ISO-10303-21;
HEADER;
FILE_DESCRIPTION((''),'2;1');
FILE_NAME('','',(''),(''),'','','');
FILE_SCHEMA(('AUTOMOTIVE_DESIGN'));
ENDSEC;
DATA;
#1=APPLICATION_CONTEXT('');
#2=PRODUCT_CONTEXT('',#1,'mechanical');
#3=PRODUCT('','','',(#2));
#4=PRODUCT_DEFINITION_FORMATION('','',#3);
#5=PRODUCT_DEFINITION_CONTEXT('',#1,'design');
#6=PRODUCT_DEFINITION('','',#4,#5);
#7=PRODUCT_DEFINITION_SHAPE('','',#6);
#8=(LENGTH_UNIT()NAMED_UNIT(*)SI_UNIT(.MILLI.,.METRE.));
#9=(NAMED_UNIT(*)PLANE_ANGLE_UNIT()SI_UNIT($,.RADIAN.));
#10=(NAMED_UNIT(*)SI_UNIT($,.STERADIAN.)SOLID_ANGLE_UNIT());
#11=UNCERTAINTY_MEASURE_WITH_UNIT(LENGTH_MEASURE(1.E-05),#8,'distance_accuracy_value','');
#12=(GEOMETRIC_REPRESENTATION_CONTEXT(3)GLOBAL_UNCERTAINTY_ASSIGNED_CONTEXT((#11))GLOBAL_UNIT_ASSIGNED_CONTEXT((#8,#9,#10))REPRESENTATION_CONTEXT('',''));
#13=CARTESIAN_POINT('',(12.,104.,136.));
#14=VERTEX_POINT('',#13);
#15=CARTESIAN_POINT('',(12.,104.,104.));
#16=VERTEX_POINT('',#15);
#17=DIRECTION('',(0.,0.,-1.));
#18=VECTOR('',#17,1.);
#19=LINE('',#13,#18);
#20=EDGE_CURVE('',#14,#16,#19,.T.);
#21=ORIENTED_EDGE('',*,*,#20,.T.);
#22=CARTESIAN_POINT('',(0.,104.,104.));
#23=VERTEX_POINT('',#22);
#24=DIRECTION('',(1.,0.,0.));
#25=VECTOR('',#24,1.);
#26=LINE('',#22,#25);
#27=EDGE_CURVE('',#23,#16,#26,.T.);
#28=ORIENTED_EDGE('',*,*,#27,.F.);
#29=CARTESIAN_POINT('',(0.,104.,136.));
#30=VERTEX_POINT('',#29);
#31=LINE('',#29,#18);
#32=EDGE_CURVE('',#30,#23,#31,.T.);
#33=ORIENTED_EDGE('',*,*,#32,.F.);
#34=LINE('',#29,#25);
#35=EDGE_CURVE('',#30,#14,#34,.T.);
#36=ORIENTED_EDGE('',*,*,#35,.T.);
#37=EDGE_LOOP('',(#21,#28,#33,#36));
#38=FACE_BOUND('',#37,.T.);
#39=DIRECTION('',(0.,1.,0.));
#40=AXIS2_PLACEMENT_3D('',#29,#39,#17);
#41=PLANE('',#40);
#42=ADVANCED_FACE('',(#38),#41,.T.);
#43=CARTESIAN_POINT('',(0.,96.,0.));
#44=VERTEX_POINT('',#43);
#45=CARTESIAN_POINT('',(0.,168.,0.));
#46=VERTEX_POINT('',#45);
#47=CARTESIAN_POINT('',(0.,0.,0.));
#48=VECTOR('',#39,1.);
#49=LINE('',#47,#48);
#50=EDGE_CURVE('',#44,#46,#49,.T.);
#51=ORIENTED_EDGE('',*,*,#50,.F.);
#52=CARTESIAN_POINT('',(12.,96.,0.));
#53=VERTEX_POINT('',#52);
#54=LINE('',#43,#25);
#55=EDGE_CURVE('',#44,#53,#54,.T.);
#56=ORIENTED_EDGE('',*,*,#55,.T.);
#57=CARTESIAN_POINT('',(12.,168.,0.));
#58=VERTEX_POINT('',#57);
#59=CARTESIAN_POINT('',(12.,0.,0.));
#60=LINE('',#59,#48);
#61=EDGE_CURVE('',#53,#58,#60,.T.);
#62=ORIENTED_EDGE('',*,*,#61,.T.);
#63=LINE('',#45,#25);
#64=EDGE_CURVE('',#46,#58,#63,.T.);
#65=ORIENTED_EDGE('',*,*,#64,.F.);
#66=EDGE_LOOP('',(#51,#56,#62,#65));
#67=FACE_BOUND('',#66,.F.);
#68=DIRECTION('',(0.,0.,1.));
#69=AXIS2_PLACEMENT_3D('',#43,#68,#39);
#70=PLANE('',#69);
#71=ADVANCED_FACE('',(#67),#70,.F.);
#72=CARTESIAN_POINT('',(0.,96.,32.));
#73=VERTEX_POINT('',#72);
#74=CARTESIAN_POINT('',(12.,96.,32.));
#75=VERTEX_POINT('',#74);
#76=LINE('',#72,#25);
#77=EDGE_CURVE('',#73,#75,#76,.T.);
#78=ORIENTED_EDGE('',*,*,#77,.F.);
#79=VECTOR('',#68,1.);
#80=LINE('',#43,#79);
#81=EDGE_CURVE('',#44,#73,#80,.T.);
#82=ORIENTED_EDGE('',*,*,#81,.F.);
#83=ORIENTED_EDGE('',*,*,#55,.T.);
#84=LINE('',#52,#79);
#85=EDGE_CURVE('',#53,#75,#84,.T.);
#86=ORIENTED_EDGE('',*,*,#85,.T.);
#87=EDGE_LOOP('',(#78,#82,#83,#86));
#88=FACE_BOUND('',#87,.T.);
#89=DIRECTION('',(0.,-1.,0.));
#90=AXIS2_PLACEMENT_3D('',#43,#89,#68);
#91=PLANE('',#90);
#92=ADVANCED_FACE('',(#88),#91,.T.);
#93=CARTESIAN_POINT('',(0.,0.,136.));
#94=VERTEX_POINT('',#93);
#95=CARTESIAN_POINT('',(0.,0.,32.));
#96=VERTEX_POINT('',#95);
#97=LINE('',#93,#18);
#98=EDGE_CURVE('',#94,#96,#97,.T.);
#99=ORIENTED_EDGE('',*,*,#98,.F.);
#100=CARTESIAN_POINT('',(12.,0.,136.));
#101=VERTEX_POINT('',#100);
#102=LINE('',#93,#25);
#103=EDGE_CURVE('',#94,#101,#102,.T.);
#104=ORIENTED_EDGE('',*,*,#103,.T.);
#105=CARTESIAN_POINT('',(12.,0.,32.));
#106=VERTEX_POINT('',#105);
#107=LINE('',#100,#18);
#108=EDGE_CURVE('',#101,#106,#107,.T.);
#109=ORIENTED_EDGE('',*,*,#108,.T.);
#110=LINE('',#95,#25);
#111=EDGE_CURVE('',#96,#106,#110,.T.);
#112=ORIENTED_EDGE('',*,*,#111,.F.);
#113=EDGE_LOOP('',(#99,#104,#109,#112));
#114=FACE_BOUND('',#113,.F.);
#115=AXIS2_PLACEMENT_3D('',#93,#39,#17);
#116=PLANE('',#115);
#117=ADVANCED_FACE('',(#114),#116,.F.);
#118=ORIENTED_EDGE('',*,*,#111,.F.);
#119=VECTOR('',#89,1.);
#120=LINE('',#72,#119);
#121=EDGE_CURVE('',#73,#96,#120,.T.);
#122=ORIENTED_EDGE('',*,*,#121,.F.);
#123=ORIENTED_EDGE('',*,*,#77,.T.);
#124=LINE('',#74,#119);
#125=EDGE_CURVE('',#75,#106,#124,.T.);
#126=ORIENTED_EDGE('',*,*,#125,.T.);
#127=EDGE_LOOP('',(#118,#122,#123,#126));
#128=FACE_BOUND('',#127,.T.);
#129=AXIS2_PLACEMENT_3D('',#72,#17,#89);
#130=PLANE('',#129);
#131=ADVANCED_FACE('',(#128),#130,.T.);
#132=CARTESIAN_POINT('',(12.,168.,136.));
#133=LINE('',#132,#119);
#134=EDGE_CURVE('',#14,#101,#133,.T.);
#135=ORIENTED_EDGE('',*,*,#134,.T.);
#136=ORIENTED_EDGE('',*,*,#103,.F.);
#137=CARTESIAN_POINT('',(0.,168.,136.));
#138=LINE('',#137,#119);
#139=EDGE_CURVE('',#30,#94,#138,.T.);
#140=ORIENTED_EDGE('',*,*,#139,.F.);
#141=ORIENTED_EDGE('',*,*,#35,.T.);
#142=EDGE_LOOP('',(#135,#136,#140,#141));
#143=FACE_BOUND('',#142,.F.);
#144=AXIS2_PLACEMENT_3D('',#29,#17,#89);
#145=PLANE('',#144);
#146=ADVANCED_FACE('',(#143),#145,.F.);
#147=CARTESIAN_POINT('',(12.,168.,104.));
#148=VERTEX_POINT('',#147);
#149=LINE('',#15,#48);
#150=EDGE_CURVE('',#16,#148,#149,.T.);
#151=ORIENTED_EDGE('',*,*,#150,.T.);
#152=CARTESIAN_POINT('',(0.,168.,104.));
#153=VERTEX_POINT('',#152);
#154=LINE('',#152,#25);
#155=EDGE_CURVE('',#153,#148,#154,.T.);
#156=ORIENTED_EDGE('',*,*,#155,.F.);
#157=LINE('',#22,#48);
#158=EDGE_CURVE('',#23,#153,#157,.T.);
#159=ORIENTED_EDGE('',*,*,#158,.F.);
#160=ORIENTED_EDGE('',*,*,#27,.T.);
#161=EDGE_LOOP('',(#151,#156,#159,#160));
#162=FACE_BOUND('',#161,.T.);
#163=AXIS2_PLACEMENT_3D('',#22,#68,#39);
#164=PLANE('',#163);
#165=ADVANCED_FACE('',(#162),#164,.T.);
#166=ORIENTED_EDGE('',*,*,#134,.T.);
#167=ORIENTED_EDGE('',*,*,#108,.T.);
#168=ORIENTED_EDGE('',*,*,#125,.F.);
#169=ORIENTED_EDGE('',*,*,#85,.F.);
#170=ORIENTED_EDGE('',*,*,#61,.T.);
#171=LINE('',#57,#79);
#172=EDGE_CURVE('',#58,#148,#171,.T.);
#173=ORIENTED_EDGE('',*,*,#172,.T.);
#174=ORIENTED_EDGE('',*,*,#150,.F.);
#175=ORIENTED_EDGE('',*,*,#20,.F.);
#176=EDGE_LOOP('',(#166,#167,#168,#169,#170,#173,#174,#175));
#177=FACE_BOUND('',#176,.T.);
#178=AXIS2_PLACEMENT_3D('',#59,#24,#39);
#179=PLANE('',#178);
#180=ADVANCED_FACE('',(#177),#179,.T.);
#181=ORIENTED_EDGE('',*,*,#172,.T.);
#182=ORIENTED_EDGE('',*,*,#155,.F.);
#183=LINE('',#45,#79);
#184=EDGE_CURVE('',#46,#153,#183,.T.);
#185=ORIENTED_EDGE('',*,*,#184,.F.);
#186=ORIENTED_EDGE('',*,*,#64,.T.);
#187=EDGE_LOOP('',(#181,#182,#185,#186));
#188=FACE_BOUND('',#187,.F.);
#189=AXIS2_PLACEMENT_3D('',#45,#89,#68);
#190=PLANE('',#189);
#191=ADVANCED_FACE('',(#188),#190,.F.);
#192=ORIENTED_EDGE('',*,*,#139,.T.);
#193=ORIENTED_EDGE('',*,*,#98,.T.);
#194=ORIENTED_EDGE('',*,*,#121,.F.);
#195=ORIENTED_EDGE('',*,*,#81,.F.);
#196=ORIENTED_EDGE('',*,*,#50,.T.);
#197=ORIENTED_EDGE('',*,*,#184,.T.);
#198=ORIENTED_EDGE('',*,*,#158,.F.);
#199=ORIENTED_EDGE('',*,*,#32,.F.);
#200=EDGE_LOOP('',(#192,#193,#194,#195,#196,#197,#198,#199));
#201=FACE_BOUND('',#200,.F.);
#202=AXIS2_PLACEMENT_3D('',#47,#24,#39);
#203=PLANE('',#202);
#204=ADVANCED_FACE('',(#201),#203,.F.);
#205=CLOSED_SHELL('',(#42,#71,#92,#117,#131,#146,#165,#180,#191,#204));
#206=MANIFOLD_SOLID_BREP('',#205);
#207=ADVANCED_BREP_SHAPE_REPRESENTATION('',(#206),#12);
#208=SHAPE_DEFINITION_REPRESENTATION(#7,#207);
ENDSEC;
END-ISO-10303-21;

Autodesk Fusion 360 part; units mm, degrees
sketch "Side Face Plate" plane through (0, 0, 0) normal (1, 0, 0) x (0, 1, 0)
  line L0 (0, 0) -> (168, 0)
  line L1 (168, 0) -> (168, 136)
  line L2 (168, 136) -> (0, 136)
  line L3 (0, 136) -> (0, 0)
  line L4 (168, 136) -> (104, 136)
  line L5 (104, 136) -> (104, 104)
  line L6 (104, 104) -> (168, 104)
  line L7 (168, 104) -> (168, 136)
  line L8 (0, 0) -> (96, 0)
  line L9 (96, 0) -> (96, 32)
  line L10 (96, 32) -> (0, 32)
  line L11 (0, 32) -> (0, 0)
  dimension "d4" = 136
  dimension "d5" = 168
  dimension "d14" = 32
  dimension "d15" = 64
  dimension "d18" = 32
  dimension "d19" = 96
extrude "Extrude1" add sketch "Side Face Plate" along normal blind 12 contours L0 L1 L2 L3 L5 L6 L9 L10
equation "block_size = 16 mm" comment "The size of the blocks used for the dimensions of the Minecraft Pig."
equation "pine_thickness = 12 mm" comment "The thickness of the pine boards used for the Minecraft Pig's body."
equation "side_face_plate_height = 10 * block_size - 2 * pine_thickness" comment "The height of the Side Face Plates that make up the Minecraft Pig's face."
equation "d4 = side_face_plate_height"
equation "d5 = side_face_plate_length"
equation "d6 = pine_thickness"
equation "side_face_plate_length = ( 8 * block_size - 2 * pine_thickness ) + 4 * block_size" comment "The length of the Side Face Plates that make up the Minecraft Pig's face."
equation "top_cutaway_height = 2 * block_size" comment "The height of the top cutaway in the Side Face Plates."
equation "top_cutaway_length = 4 * block_size" comment "The length of the top cutaway in the Side Face Plates."
equation "d14 = top_cutaway_height"
equation "d15 = top_cutaway_length"
equation "bottom_cutaway_height = 2 * block_size" comment "The height of the bottom cutaway in the Side Face Plates."
equation "bottom_cutaway_length = 6 * block_size" comment "The length of the bottom cutaway in the Side Face Plates."
equation "d18 = bottom_cutaway_height"
equation "d19 = bottom_cutaway_length"
